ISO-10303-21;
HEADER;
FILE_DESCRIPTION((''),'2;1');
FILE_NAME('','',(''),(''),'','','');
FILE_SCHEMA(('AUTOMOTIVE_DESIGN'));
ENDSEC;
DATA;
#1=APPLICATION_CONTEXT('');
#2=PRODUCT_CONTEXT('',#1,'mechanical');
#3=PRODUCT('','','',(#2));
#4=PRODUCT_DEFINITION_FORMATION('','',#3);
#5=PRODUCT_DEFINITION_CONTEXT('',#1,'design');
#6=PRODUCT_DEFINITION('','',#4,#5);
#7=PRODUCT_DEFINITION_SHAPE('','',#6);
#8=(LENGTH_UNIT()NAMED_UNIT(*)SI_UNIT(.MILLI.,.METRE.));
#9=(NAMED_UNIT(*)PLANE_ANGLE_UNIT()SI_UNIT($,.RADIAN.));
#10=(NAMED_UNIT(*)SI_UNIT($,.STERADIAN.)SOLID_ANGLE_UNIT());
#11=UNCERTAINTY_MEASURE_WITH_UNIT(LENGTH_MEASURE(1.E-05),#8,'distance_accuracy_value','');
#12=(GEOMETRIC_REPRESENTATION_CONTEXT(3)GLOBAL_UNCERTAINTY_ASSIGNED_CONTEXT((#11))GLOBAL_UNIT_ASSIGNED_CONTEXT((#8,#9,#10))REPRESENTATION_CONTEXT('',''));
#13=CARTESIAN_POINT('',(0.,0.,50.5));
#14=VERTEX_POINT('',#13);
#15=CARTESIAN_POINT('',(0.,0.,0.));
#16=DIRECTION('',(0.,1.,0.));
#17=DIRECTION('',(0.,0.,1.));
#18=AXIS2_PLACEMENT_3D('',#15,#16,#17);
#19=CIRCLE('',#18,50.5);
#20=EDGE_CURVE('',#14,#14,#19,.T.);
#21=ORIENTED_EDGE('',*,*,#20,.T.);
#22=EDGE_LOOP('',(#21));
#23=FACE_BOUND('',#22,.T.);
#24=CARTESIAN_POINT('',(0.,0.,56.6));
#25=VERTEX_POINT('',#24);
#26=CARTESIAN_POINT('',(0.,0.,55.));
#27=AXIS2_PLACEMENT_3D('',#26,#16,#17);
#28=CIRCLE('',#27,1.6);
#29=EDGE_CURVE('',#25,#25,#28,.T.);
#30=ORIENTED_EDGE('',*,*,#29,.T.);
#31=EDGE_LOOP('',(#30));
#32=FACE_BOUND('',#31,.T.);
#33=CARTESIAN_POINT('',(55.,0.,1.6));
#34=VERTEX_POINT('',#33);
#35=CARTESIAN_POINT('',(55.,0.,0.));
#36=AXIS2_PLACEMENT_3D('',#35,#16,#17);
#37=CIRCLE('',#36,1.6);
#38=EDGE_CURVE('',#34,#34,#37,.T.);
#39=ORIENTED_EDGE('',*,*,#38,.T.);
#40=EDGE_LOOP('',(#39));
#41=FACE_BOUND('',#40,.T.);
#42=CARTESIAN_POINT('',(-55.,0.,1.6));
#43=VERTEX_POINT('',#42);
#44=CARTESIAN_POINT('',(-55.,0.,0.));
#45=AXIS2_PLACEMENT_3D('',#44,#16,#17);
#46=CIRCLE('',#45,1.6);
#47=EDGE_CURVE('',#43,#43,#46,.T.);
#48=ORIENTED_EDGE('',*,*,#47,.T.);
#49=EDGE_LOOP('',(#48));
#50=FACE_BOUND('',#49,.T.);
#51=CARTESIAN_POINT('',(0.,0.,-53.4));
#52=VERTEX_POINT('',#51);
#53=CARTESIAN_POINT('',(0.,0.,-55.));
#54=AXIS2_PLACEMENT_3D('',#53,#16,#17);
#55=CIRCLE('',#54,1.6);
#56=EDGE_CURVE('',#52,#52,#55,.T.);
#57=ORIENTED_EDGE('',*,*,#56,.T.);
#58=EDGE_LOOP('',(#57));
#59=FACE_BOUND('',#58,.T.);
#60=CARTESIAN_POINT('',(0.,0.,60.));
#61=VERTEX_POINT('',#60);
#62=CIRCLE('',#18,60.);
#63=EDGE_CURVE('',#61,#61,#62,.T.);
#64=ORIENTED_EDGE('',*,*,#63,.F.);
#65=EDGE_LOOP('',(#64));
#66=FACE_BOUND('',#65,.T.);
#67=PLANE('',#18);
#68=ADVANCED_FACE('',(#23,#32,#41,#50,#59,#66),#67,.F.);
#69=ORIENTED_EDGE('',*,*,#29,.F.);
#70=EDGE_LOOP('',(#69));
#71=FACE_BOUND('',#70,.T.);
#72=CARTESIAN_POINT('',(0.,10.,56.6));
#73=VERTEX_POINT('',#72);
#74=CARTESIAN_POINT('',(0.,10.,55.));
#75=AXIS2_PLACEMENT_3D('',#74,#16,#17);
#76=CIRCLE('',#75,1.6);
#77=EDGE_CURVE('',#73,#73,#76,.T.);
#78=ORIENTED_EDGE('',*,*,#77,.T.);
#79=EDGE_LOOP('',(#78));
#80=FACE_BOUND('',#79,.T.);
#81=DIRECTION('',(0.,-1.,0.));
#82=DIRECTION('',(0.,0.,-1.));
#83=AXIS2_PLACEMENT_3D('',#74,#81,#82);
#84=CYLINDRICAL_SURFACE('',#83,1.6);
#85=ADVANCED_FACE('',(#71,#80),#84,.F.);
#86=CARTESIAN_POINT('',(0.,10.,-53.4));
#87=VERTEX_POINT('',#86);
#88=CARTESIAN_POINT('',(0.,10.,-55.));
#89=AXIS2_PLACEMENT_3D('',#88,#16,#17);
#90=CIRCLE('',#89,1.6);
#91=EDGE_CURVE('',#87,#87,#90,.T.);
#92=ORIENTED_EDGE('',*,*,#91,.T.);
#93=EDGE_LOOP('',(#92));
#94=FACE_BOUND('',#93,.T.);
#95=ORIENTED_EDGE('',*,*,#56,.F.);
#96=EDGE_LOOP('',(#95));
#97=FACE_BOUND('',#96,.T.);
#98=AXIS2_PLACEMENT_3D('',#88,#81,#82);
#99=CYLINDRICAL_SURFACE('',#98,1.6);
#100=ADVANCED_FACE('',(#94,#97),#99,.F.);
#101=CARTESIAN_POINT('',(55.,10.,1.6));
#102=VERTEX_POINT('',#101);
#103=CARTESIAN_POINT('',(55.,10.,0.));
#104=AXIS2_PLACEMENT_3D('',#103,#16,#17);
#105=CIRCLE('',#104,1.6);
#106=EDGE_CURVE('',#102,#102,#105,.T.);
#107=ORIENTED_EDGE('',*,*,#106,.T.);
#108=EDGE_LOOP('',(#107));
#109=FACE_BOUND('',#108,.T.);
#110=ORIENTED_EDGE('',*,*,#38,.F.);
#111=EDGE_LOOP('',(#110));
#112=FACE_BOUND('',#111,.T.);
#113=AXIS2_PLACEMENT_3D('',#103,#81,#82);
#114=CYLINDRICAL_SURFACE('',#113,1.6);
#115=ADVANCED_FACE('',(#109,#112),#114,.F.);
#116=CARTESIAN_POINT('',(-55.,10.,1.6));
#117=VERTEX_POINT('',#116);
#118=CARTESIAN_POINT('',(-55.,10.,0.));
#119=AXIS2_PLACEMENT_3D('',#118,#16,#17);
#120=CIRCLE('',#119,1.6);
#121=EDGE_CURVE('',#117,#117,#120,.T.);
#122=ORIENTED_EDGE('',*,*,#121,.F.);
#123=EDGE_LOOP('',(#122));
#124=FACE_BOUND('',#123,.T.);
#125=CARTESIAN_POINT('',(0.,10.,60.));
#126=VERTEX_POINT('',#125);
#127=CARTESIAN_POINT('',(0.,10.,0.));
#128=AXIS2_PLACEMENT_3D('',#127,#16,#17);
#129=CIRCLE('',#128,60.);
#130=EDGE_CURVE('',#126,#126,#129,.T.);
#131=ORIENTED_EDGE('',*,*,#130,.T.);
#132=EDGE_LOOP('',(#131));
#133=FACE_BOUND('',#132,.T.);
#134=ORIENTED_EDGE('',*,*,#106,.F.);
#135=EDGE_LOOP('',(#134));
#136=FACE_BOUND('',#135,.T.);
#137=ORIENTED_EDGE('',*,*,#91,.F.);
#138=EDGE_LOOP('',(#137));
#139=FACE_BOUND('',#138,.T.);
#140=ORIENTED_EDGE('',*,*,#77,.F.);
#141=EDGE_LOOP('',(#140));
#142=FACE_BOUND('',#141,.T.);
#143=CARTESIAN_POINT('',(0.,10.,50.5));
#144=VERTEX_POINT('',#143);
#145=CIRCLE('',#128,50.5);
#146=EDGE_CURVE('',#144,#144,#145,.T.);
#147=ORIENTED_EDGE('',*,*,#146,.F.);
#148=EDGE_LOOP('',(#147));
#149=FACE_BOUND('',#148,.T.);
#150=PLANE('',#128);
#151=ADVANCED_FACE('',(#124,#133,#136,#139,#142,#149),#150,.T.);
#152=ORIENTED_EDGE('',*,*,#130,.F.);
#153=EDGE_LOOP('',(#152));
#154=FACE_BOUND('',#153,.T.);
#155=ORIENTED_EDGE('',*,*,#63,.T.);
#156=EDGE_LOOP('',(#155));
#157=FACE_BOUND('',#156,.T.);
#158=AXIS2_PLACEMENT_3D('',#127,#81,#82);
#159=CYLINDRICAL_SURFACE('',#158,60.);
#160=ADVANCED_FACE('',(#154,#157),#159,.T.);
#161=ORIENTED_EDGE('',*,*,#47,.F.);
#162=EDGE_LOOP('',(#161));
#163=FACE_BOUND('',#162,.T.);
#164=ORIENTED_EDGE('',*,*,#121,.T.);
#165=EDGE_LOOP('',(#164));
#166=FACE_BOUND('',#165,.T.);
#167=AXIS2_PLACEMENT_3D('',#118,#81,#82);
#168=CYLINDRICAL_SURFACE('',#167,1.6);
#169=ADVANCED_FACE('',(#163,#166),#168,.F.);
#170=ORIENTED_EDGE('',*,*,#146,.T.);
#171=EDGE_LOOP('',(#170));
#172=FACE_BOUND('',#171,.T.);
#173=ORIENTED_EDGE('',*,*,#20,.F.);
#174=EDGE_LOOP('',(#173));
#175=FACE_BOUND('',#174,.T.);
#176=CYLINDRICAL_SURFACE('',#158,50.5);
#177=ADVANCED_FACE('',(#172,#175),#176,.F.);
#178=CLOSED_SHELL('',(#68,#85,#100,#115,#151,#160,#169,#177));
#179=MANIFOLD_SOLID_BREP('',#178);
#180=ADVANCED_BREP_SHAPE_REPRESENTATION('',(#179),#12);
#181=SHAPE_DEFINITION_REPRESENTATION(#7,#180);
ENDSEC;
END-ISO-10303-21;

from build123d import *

# Parameters (mm, degrees)
SKETCH_1_R      = 60
SKETCH_1_R_2    = 50.5
SKETCH_1_R_3    = 1.6
EXTRUDE_1_DEPTH = 10


with BuildPart() as part:
    # 草图1 → 凸台-拉伸1 (new body)
    with BuildSketch(Plane(origin=(0, 0, 0), x_dir=(1, 0, 0), z_dir=(0, 1, 0))):
        with Locations(Location((0, 0, 0), (0, 0, 270))):
            Circle(SKETCH_1_R)
        with Locations(Location((0, 0, 0), (0, 0, 270))):
            Circle(SKETCH_1_R_2, mode=Mode.SUBTRACT)
        with Locations(Location((0, 55, 0), (0, 0, 270))):
            Circle(SKETCH_1_R_3, mode=Mode.SUBTRACT)
        with Locations(Location((55, 0, 0), (0, 0, 270))):
            Circle(SKETCH_1_R_3, mode=Mode.SUBTRACT)
        with Locations(Location((0, -55, 0), (0, 0, 270))):
            Circle(SKETCH_1_R_3, mode=Mode.SUBTRACT)
        with Locations(Location((-55, 0, 0), (0, 0, 270))):
            Circle(SKETCH_1_R_3, mode=Mode.SUBTRACT)
    extrude(amount=EXTRUDE_1_DEPTH)


solid = part.part
